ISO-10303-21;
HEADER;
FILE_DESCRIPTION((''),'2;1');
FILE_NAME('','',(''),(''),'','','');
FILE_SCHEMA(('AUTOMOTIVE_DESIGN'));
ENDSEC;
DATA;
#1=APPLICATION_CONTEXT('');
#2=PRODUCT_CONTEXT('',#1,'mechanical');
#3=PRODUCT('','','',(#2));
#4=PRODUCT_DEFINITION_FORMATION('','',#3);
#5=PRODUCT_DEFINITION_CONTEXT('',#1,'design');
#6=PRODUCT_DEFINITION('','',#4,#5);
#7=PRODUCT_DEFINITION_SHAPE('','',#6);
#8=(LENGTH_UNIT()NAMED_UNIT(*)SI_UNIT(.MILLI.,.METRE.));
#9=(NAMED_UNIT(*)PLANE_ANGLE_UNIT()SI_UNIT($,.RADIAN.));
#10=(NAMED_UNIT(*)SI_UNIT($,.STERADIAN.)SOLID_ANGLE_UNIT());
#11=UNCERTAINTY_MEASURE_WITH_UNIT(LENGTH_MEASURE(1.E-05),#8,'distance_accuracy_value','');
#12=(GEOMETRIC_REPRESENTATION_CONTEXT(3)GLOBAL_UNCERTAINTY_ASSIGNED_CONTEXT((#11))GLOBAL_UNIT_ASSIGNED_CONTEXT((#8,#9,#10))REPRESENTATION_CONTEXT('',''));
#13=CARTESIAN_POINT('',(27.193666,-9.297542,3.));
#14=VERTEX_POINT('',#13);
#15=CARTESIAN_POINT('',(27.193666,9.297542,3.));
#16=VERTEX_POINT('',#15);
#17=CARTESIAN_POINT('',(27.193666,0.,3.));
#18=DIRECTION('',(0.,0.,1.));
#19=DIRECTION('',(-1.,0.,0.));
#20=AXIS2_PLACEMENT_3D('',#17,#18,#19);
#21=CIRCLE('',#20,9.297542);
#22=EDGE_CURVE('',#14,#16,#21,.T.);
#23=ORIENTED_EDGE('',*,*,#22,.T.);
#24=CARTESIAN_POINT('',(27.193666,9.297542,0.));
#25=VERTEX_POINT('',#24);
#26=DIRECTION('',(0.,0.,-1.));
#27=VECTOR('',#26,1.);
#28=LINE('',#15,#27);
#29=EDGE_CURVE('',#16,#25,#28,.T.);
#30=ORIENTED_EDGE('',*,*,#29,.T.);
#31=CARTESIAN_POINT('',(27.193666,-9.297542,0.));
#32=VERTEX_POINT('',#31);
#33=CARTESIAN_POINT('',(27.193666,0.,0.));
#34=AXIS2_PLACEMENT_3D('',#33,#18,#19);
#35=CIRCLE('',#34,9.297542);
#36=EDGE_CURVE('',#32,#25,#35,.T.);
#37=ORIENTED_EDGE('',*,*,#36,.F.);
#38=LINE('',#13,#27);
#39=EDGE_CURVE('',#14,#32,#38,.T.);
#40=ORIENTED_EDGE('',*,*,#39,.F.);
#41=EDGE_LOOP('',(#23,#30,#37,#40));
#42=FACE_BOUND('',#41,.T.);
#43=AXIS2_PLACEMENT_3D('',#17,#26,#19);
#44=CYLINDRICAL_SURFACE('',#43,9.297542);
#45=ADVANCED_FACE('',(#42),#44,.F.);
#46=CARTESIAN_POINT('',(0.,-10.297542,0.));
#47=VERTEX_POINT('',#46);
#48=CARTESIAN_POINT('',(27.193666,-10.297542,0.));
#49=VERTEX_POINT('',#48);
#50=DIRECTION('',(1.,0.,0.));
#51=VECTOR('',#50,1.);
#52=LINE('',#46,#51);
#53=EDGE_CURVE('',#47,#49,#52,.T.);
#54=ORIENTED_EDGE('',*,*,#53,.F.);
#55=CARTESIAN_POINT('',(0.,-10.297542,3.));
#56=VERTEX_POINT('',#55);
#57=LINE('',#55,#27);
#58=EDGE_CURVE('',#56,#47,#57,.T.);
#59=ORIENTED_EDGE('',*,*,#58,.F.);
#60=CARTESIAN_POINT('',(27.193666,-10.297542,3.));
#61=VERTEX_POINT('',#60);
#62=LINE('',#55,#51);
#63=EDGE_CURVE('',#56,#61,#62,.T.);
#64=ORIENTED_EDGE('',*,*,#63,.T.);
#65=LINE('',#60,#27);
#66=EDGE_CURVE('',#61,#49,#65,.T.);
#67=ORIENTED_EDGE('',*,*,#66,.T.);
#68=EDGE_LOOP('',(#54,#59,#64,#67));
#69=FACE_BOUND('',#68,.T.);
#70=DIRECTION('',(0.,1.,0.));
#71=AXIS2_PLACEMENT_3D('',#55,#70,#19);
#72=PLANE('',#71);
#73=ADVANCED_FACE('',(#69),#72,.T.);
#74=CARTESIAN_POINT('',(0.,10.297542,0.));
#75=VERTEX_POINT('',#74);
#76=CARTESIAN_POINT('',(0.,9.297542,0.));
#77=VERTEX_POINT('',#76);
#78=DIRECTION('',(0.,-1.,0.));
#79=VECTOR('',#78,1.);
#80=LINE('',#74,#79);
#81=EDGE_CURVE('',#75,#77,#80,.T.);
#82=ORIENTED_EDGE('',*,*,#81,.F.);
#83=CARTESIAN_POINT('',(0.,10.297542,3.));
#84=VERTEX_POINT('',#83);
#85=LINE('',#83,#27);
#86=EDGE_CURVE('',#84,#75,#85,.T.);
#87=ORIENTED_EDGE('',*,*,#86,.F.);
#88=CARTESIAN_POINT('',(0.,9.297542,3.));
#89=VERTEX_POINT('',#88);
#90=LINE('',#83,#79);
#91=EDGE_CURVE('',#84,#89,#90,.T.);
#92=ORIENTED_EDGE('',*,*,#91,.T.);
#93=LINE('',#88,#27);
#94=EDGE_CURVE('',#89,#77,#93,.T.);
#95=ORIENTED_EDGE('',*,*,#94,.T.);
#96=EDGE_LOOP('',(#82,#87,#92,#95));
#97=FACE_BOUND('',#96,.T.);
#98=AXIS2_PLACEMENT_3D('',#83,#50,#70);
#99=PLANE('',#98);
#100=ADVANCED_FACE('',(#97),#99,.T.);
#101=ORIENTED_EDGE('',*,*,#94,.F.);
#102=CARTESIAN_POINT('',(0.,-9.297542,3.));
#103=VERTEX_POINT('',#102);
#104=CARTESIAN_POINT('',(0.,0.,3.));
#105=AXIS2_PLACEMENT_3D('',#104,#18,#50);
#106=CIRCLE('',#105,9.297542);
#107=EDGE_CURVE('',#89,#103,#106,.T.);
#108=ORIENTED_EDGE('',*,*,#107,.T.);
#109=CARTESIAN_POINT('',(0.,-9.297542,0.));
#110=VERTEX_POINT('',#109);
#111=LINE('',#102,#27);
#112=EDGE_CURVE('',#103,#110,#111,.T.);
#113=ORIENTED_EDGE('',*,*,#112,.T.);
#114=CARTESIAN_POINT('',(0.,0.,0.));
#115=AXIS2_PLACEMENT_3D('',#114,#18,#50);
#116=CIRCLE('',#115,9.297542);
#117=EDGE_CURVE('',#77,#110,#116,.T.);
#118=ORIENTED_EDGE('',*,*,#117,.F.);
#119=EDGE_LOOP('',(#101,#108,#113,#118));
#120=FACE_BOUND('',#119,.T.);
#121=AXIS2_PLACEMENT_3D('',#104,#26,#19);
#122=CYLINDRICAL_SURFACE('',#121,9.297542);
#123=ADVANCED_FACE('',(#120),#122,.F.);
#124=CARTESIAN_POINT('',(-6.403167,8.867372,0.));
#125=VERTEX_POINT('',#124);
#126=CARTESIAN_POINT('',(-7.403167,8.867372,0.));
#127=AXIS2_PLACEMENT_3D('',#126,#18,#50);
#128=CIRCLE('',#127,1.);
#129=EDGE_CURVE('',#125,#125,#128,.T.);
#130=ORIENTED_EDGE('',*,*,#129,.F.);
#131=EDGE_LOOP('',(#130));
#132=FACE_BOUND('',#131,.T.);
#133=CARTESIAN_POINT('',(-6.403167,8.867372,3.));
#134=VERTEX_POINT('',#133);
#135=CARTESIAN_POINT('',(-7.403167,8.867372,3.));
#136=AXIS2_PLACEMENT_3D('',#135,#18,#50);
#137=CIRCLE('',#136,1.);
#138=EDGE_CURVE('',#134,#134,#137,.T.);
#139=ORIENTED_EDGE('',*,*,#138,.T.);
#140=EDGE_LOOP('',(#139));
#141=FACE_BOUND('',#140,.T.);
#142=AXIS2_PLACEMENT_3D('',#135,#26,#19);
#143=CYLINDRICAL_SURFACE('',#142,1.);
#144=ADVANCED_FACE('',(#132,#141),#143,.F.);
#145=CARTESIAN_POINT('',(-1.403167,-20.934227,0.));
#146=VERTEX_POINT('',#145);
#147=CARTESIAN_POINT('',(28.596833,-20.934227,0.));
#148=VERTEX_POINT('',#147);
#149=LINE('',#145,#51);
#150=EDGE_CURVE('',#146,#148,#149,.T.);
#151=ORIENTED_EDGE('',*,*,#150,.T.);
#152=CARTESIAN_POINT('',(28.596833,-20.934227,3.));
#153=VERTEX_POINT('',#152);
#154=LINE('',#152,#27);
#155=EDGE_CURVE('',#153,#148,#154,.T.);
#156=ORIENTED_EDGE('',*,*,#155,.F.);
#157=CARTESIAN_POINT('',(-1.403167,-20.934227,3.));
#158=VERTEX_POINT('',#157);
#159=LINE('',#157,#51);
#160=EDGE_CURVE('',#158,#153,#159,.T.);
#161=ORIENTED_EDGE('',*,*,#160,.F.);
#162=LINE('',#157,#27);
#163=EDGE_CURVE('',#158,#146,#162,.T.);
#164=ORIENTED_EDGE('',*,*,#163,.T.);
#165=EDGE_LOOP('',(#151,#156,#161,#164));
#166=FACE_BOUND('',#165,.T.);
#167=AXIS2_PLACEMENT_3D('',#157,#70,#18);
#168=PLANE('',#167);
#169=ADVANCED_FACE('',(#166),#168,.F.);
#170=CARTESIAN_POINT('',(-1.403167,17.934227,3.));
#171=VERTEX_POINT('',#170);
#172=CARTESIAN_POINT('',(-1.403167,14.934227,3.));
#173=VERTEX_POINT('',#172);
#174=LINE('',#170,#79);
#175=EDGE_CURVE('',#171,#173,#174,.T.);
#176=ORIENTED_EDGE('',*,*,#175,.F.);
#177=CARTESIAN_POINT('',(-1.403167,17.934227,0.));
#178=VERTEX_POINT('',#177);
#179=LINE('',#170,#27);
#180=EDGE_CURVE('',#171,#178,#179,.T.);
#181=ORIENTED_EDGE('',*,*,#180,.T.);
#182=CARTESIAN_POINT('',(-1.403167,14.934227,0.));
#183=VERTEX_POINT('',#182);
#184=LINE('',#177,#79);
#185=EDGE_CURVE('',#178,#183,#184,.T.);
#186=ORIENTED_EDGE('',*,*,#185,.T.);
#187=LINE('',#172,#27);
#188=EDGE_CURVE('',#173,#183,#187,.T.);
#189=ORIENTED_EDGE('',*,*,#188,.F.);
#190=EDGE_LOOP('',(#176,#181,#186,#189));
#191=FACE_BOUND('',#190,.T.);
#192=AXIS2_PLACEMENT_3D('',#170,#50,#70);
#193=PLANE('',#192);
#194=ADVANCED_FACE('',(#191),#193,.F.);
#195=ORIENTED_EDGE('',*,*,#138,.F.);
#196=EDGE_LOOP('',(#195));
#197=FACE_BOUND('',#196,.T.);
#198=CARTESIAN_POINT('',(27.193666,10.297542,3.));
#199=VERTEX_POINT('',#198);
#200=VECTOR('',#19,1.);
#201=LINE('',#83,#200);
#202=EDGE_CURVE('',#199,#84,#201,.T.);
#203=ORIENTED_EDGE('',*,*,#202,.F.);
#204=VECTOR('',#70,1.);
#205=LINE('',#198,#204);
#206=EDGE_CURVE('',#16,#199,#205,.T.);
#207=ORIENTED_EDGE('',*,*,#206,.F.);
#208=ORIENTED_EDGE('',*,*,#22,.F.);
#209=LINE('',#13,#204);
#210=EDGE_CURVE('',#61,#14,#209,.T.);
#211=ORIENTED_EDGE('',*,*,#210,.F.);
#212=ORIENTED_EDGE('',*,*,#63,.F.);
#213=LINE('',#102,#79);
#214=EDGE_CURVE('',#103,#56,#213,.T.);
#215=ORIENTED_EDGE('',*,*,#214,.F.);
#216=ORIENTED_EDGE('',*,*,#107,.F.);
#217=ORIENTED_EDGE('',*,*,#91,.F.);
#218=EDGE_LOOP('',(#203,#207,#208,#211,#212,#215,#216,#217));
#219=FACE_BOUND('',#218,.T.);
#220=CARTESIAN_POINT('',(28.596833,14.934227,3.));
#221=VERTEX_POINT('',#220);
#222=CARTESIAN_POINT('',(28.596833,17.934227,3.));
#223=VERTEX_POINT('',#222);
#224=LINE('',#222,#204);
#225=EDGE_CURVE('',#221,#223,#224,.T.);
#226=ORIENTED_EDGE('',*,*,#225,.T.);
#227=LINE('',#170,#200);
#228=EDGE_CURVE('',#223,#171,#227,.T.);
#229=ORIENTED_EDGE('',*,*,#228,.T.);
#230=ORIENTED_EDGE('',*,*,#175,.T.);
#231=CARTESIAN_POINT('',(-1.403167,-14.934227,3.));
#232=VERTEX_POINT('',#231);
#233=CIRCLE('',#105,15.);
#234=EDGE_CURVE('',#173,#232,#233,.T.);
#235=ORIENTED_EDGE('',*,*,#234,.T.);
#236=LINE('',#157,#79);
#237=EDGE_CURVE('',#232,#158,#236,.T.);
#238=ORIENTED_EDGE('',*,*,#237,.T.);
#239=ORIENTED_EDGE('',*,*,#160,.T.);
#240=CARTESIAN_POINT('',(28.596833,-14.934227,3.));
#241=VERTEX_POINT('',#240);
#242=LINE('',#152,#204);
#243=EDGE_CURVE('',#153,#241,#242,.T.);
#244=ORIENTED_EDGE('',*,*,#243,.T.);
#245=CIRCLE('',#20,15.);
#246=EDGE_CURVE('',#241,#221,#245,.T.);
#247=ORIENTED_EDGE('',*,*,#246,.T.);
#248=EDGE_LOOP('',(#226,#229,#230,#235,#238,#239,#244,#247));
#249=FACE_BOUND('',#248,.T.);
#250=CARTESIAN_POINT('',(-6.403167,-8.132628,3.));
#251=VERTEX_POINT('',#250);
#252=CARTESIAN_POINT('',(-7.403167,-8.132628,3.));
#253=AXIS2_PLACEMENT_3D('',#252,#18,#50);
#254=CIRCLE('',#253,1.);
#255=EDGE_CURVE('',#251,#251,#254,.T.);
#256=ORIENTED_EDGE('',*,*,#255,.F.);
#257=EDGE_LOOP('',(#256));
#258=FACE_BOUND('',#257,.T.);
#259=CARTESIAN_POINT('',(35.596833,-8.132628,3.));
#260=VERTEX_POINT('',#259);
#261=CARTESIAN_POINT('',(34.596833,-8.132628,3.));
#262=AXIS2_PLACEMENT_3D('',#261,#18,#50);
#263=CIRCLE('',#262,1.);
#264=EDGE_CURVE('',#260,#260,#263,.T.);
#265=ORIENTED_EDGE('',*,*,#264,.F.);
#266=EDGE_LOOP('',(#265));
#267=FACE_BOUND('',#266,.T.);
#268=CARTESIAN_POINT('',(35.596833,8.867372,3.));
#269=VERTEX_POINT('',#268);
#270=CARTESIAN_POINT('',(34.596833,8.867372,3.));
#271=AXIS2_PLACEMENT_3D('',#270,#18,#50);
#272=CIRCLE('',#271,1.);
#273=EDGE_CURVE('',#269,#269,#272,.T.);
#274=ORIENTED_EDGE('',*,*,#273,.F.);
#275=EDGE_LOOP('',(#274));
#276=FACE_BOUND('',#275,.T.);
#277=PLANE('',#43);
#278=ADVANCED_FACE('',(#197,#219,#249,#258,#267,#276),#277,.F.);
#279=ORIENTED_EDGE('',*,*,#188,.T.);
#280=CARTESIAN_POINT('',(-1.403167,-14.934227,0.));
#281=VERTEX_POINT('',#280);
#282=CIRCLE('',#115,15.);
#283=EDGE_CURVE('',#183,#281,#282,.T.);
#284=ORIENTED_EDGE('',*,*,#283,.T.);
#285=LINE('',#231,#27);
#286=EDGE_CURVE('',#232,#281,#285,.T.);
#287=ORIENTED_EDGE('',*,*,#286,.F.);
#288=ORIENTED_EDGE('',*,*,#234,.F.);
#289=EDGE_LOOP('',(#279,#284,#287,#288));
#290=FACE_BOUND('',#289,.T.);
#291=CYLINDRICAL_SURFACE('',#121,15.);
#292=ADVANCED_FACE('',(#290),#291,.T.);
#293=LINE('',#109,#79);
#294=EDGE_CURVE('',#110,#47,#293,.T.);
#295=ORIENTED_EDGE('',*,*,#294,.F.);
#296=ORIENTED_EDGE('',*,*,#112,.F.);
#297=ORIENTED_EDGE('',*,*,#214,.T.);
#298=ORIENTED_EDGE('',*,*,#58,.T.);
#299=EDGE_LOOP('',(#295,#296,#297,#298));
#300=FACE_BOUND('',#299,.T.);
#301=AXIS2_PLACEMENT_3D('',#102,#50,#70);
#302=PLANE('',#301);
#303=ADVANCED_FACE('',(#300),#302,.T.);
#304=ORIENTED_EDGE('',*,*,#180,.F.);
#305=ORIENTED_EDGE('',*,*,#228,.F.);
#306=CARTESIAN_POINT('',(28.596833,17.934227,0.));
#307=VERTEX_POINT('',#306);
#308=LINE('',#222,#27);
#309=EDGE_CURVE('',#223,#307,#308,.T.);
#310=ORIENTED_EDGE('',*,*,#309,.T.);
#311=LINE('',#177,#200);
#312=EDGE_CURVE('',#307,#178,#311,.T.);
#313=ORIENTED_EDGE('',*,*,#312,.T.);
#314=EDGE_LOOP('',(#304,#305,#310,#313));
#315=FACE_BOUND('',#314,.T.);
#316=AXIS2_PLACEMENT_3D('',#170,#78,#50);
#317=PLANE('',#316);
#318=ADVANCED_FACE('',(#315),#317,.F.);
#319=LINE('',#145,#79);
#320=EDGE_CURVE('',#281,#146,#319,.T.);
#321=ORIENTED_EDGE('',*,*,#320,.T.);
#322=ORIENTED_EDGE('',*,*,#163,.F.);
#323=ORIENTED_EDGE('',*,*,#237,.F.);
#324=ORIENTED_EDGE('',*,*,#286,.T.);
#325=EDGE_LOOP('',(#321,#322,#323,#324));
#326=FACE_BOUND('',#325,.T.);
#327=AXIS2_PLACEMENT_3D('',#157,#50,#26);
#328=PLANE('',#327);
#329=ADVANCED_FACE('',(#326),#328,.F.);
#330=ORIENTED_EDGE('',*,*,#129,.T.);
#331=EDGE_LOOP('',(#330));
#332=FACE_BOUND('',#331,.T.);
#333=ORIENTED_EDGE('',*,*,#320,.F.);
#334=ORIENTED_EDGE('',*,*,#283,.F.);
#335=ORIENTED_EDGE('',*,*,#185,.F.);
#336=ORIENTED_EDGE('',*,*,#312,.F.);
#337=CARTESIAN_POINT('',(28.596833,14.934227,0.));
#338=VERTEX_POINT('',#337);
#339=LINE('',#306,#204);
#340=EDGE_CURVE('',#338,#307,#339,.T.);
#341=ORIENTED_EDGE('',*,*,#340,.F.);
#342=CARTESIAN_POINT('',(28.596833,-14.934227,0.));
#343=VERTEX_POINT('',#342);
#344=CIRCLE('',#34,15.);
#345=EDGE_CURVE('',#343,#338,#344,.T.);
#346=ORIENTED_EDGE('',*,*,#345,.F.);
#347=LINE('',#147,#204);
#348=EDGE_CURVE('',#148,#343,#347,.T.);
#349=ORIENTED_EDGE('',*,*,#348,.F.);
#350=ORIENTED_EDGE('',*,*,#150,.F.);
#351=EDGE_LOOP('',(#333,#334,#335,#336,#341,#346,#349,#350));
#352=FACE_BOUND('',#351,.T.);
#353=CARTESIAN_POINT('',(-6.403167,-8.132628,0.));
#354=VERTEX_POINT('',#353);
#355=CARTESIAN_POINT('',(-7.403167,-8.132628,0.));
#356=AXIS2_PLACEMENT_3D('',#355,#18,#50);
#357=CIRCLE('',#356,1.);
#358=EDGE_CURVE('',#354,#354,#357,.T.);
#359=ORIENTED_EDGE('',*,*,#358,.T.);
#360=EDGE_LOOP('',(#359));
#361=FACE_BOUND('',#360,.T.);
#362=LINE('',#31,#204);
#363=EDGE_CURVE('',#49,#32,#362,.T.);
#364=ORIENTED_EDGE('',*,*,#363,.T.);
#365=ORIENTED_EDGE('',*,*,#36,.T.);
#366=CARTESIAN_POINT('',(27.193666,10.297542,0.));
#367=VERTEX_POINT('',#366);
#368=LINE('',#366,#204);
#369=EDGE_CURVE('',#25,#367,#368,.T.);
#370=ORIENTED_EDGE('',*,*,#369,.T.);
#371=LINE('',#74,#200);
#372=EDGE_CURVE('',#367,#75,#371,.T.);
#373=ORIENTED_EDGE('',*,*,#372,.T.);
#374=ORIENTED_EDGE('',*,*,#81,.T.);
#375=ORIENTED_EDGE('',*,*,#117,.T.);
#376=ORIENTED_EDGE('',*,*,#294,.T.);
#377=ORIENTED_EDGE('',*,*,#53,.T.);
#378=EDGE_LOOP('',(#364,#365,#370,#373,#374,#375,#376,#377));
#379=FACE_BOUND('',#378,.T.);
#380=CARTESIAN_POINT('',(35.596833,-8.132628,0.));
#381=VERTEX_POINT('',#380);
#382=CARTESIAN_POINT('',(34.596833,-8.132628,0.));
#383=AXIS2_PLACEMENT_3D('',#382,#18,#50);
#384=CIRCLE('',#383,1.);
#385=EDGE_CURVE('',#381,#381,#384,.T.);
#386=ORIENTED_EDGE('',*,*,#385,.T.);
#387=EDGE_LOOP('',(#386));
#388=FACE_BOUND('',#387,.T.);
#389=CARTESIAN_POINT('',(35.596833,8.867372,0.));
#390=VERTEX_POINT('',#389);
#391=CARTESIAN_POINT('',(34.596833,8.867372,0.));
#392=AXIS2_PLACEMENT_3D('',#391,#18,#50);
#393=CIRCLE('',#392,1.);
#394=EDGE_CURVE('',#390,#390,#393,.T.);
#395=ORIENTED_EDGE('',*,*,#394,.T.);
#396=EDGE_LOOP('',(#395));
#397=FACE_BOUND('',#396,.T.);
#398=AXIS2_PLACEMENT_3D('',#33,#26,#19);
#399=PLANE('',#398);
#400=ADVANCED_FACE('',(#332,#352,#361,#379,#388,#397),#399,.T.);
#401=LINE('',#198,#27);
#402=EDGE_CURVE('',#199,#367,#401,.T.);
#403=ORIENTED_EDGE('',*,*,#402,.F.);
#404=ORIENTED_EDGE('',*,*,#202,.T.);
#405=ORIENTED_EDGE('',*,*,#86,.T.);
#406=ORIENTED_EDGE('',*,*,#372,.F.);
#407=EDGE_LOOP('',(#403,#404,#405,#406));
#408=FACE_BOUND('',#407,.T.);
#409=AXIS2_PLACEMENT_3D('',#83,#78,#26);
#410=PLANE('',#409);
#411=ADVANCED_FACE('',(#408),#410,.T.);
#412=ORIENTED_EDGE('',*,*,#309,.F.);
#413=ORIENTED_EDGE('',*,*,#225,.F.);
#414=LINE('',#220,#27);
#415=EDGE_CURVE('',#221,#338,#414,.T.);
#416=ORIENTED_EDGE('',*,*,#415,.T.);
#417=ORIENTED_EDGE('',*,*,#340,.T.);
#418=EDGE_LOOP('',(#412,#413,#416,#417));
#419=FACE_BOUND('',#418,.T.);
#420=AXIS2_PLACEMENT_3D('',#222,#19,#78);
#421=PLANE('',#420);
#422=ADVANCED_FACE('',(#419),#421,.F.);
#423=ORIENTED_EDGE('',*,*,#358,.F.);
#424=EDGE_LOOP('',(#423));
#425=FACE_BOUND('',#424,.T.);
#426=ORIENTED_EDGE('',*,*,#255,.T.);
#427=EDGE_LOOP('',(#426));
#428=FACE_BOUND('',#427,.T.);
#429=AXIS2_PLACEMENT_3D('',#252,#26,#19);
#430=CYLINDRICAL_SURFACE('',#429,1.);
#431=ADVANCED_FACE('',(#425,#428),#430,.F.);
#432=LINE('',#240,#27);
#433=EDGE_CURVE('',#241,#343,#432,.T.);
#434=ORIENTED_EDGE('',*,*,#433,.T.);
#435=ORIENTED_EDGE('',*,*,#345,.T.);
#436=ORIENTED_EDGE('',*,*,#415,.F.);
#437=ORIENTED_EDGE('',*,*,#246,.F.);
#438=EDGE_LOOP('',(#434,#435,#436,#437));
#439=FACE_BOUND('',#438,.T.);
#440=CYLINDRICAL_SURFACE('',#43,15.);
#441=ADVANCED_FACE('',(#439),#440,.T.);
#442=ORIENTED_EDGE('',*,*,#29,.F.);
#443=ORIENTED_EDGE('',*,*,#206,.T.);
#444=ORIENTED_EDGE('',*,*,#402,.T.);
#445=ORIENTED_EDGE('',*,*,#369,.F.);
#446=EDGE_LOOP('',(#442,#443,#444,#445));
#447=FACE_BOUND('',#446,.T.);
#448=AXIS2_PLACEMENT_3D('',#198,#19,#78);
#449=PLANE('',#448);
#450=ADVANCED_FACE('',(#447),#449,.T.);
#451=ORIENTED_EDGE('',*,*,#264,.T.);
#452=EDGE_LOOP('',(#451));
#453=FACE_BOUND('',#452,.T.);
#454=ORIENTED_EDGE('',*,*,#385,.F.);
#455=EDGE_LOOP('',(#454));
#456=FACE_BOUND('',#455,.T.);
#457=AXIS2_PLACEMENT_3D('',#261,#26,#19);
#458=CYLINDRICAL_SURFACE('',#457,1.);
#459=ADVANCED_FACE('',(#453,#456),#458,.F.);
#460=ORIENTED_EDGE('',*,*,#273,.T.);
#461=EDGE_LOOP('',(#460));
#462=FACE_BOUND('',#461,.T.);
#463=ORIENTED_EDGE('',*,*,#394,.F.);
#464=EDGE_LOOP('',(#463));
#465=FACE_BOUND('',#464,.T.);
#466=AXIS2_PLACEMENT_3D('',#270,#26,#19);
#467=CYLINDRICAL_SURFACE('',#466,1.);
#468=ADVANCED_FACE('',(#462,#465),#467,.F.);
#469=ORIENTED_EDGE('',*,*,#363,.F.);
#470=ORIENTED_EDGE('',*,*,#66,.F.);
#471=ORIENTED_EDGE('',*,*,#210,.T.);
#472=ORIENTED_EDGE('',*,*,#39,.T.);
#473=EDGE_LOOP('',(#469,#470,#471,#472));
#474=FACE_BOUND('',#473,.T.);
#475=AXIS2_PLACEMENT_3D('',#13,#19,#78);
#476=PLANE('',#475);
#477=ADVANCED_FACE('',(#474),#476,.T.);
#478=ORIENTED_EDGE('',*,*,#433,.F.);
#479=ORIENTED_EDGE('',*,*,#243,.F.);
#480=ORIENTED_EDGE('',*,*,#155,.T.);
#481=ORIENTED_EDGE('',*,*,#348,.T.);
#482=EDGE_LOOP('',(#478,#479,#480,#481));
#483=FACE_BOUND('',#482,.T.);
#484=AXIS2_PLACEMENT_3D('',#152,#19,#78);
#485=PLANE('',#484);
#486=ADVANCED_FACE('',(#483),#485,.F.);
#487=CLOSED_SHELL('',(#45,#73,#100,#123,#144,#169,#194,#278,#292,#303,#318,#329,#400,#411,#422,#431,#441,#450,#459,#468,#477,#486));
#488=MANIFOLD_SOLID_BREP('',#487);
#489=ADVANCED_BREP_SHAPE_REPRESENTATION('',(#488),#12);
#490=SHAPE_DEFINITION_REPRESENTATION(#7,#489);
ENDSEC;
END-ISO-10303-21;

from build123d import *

# Parameters (mm, degrees)
CROQUIS1_R              = 1
SALIENTE_EXTRUIR1_DEPTH = 3


with BuildPart() as part:
    # Croquis1 → Saliente-Extruir1 (new body)
    with BuildSketch(Plane.XY):
        with BuildLine():
            Line((28.59683313, -20.934226553), (28.59683313, -14.934226553))
            ThreePointArc((28.59683313, -14.934226553), (42.193666261, 0), (28.59683313, 14.934226553))
            Line((28.59683313, 14.934226553), (28.59683313, 17.934226553))
            Line((28.59683313, 17.934226553), (-1.40316687, 17.934226553))
            Line((-1.40316687, 17.934226553), (-1.40316687, 14.934226553))
            ThreePointArc((-1.40316687, 14.934226553), (-15, 0), (-1.40316687, -14.934226553))
            Line((-1.40316687, -14.934226553), (-1.40316687, -20.934226553))
            Line((-1.40316687, -20.934226553), (28.59683313, -20.934226553))
        make_face()
        with Locations((-7.40316687, 8.867372458)):
            Circle(CROQUIS1_R, mode=Mode.SUBTRACT)
        with Locations((34.59683313, 8.867372458)):
            Circle(CROQUIS1_R, mode=Mode.SUBTRACT)
        with Locations((34.59683313, -8.132627542)):
            Circle(CROQUIS1_R, mode=Mode.SUBTRACT)
        with Locations((-7.40316687, -8.132627542)):
            Circle(CROQUIS1_R, mode=Mode.SUBTRACT)
        with BuildLine():
            Line((0, -10.297541691), (27.193666261, -10.297541691))
            Line((27.193666261, -10.297541691), (27.193666261, -9.297541691))
            ThreePointArc((27.193666261, -9.297541691), (36.491207952, 0), (27.193666261, 9.297541691))
            Line((27.193666261, 9.297541691), (27.193666261, 10.297541691))
            Line((27.193666261, 10.297541691), (0, 10.297541691))
            Line((0, 10.297541691), (0, 9.297541691))
            ThreePointArc((0, 9.297541691), (-9.297541691, 0), (0, -9.297541691))
            Line((0, -9.297541691), (0, -10.297541691))
        make_face(mode=Mode.SUBTRACT)
    extrude(amount=SALIENTE_EXTRUIR1_DEPTH)


solid = part.part
